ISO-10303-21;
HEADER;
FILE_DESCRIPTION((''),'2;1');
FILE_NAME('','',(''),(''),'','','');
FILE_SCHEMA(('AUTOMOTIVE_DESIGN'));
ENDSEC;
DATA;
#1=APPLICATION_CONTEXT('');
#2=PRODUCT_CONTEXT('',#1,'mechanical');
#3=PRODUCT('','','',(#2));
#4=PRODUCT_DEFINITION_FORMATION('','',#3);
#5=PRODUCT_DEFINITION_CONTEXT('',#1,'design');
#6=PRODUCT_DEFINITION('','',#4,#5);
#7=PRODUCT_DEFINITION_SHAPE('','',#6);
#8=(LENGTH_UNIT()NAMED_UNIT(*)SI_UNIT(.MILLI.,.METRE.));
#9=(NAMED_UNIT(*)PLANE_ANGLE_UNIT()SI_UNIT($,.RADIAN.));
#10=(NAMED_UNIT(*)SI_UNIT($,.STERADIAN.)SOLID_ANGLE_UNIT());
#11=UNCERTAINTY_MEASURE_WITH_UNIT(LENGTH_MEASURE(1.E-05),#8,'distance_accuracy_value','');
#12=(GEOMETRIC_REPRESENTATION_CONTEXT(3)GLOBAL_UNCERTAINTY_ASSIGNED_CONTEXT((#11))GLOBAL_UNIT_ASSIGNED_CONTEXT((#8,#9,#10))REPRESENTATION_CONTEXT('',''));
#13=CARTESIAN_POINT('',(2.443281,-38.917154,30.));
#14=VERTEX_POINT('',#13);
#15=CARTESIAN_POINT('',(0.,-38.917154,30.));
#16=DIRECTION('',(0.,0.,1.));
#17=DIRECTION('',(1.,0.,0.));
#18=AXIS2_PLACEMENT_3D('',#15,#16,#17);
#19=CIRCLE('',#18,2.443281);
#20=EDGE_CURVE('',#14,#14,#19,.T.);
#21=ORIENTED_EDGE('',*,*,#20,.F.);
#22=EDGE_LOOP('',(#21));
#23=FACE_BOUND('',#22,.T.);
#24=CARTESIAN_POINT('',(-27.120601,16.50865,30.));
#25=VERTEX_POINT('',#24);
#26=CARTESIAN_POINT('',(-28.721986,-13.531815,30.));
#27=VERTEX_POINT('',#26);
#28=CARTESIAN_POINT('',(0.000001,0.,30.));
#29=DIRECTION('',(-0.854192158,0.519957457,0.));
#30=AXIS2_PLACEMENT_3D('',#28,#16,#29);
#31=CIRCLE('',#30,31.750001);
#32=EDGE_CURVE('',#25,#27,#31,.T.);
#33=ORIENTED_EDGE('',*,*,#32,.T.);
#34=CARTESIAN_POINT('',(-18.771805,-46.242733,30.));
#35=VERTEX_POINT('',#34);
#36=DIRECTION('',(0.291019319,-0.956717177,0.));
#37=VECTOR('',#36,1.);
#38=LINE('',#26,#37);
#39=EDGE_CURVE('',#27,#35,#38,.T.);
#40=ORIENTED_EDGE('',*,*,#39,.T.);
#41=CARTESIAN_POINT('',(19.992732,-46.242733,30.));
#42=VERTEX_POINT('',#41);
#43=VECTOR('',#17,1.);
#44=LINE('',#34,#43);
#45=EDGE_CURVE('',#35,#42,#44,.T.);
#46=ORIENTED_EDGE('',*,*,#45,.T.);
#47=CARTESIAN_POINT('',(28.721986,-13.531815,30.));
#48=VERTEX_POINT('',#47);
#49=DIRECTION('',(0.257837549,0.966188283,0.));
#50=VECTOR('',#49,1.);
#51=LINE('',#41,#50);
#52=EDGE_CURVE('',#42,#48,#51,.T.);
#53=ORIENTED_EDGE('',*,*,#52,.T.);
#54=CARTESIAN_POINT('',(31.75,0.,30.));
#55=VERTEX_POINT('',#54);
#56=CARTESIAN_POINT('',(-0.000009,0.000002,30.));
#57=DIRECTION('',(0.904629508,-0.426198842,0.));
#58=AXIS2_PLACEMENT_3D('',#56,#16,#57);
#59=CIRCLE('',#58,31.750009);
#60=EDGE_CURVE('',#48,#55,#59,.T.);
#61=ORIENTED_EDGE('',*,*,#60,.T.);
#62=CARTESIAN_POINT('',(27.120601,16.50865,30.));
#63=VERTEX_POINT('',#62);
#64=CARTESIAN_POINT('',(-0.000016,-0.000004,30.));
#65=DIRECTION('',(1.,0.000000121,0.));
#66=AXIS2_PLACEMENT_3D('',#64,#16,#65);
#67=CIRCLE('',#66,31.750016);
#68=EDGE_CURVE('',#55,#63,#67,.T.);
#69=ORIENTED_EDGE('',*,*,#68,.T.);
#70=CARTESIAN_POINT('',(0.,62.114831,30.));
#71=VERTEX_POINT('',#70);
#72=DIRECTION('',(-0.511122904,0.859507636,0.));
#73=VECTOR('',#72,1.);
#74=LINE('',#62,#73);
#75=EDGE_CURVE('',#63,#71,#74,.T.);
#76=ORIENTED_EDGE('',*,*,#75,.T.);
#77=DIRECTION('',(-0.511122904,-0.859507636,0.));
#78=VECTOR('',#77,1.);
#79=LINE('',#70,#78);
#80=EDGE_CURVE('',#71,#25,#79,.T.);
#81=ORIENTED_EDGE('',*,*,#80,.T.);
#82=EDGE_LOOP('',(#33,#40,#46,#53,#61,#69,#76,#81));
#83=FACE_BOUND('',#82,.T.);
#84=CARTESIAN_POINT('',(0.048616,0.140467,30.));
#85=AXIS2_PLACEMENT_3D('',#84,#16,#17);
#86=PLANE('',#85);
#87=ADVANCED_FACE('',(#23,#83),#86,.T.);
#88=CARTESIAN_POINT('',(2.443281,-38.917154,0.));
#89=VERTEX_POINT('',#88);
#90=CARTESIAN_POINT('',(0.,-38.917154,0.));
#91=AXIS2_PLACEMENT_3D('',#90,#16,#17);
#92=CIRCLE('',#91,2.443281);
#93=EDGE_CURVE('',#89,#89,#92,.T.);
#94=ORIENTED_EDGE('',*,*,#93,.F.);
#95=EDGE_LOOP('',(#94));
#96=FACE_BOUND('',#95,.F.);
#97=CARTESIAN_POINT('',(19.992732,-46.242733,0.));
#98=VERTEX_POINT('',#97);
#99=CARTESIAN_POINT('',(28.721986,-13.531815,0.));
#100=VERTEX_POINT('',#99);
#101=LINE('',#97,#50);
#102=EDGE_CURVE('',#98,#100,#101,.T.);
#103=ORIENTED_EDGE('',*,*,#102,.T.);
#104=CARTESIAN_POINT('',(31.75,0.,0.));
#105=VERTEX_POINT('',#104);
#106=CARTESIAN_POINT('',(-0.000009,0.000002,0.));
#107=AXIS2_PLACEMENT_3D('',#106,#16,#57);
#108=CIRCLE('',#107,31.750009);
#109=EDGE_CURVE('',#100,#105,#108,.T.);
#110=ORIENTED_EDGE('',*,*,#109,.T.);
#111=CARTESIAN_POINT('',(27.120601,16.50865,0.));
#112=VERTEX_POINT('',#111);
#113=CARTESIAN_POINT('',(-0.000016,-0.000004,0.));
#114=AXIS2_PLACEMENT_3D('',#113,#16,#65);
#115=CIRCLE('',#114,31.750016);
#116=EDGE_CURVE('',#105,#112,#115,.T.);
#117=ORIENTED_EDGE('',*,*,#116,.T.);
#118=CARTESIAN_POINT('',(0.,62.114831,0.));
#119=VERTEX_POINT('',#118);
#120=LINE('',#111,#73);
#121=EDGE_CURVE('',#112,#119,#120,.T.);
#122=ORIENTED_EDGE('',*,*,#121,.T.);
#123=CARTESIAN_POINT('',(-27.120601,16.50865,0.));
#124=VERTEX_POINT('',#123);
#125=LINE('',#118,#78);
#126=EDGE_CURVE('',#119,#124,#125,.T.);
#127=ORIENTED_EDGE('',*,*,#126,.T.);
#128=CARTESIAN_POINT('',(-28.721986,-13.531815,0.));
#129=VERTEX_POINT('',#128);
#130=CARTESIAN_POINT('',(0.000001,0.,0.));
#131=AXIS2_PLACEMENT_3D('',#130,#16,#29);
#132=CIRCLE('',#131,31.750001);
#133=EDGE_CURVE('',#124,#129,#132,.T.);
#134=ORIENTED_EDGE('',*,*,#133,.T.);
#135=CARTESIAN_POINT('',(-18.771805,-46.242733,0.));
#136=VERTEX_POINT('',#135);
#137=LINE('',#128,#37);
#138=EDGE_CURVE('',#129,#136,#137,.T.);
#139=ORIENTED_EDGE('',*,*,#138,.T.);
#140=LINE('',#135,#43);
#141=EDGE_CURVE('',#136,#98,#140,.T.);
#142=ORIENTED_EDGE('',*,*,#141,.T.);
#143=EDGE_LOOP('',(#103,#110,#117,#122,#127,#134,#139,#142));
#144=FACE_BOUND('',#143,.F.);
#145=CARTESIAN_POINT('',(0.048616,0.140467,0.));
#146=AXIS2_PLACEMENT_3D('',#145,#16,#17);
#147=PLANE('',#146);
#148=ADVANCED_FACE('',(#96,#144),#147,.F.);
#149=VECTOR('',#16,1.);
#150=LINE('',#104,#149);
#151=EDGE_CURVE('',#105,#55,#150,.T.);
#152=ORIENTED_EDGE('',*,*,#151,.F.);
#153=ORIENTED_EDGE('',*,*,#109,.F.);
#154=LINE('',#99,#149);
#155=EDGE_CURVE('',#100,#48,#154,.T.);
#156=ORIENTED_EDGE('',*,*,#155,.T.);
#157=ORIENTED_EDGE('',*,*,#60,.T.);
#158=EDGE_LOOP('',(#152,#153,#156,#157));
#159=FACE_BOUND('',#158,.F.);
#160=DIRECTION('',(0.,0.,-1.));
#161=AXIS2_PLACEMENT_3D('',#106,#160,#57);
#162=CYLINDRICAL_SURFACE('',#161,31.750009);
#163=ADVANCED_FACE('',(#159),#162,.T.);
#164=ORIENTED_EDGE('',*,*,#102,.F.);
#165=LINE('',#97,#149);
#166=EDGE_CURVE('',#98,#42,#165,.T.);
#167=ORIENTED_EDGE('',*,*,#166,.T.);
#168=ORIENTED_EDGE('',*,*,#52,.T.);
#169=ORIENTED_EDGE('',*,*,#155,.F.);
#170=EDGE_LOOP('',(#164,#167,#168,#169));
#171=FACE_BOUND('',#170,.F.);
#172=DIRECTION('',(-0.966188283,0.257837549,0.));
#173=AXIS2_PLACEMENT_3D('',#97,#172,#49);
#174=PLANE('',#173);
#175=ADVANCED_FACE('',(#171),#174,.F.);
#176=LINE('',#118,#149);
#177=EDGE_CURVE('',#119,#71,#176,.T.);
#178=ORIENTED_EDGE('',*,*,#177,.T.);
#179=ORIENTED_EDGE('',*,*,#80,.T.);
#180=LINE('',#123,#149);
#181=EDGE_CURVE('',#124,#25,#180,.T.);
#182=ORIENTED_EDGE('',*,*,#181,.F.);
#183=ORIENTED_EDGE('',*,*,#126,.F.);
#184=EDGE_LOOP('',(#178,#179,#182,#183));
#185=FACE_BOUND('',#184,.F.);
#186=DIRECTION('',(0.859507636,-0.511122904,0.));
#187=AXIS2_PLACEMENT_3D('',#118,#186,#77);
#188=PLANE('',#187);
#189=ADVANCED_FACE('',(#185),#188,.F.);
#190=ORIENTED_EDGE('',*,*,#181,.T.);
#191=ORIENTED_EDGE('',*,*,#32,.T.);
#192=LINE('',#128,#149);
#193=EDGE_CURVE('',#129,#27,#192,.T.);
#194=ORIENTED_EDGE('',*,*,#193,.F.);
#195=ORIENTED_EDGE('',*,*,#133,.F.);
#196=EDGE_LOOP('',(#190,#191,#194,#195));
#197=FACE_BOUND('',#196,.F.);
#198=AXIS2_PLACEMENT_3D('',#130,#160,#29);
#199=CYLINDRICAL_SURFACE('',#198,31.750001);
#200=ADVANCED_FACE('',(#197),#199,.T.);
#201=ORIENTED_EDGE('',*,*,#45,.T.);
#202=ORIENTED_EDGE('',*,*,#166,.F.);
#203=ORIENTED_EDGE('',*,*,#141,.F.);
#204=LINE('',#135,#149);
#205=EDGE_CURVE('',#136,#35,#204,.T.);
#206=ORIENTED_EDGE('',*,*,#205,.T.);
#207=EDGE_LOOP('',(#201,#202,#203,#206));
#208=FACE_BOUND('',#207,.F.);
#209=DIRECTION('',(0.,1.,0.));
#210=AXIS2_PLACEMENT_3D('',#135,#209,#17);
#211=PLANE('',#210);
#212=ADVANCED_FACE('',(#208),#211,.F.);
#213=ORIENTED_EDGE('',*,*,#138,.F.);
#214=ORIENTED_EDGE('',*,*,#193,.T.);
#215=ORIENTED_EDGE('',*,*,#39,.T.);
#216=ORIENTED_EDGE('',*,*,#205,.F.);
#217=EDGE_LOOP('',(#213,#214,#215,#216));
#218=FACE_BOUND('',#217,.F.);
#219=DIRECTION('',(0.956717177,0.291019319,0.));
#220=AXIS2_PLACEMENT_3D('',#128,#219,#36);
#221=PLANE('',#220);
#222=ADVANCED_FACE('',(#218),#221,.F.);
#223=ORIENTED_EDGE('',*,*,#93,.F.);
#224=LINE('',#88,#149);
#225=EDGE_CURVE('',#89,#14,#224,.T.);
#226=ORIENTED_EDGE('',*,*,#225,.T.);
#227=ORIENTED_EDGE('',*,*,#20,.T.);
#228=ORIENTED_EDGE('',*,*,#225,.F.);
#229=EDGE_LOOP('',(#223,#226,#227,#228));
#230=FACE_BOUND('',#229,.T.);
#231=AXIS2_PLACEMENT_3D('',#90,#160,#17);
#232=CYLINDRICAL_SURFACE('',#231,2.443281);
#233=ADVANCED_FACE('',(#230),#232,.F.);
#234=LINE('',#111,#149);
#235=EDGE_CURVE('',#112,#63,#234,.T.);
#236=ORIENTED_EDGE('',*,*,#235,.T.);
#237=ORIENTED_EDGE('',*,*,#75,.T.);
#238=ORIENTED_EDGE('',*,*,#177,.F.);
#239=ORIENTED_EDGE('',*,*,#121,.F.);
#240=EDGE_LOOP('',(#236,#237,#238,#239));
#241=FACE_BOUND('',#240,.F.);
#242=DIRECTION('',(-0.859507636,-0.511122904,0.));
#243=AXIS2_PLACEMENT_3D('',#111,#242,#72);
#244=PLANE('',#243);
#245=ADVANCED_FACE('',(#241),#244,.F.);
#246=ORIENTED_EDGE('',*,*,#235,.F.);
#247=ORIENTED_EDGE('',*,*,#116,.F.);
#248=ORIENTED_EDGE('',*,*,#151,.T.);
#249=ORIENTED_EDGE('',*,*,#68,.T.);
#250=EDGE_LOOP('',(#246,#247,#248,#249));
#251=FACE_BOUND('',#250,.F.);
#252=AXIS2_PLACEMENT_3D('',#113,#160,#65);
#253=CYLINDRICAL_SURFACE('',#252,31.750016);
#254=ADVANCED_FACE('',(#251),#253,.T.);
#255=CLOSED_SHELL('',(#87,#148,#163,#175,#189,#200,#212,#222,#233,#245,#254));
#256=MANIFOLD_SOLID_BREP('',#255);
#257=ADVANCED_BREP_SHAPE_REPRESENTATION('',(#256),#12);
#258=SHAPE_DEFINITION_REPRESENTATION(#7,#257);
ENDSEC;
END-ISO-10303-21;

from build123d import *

# Parameters (mm, degrees)
F0_R     = 2.443281
F1_DEPTH = 30


with BuildPart() as f1:
    # F0 (on Top) → F1 (new body)
    with BuildSketch(Plane.XY):
        with BuildLine():
            ThreePointArc((28.721986, -13.531815), (30.98375, -6.933233), (31.75, 0))
            ThreePointArc((31.75, 0), (30.57075, 8.572731), (27.120601, 16.50865))
            ThreePointArc((27.120601, 16.50865), (0, 31.75), (-27.120601, 16.50865))
            ThreePointArc((-27.120601, 16.50865), (-31.704984, 1.690117), (-28.721986, -13.531815))
            ThreePointArc((-28.721986, -13.531815), (0, -31.75), (28.721986, -13.531815))
        make_face()
        with BuildLine():
            ThreePointArc((-27.120601, 16.50865), (0, 31.75), (27.120601, 16.50865))
            Line((27.120601, 16.50865), (0, 62.114831))
            Line((0, 62.114831), (-27.120601, 16.50865))
        make_face()
        with BuildLine():
            Line((19.992732, -46.242733), (28.721986, -13.531815))
            ThreePointArc((28.721986, -13.531815), (0, -31.75), (-28.721986, -13.531815))
            Line((-28.721986, -13.531815), (-18.771805, -46.242733))
            Line((-18.771805, -46.242733), (19.992732, -46.242733))
        make_face()
        with Locations((0, -38.917154)):
            Circle(F0_R, mode=Mode.SUBTRACT)
    extrude(amount=F1_DEPTH)


solid = f1.part
